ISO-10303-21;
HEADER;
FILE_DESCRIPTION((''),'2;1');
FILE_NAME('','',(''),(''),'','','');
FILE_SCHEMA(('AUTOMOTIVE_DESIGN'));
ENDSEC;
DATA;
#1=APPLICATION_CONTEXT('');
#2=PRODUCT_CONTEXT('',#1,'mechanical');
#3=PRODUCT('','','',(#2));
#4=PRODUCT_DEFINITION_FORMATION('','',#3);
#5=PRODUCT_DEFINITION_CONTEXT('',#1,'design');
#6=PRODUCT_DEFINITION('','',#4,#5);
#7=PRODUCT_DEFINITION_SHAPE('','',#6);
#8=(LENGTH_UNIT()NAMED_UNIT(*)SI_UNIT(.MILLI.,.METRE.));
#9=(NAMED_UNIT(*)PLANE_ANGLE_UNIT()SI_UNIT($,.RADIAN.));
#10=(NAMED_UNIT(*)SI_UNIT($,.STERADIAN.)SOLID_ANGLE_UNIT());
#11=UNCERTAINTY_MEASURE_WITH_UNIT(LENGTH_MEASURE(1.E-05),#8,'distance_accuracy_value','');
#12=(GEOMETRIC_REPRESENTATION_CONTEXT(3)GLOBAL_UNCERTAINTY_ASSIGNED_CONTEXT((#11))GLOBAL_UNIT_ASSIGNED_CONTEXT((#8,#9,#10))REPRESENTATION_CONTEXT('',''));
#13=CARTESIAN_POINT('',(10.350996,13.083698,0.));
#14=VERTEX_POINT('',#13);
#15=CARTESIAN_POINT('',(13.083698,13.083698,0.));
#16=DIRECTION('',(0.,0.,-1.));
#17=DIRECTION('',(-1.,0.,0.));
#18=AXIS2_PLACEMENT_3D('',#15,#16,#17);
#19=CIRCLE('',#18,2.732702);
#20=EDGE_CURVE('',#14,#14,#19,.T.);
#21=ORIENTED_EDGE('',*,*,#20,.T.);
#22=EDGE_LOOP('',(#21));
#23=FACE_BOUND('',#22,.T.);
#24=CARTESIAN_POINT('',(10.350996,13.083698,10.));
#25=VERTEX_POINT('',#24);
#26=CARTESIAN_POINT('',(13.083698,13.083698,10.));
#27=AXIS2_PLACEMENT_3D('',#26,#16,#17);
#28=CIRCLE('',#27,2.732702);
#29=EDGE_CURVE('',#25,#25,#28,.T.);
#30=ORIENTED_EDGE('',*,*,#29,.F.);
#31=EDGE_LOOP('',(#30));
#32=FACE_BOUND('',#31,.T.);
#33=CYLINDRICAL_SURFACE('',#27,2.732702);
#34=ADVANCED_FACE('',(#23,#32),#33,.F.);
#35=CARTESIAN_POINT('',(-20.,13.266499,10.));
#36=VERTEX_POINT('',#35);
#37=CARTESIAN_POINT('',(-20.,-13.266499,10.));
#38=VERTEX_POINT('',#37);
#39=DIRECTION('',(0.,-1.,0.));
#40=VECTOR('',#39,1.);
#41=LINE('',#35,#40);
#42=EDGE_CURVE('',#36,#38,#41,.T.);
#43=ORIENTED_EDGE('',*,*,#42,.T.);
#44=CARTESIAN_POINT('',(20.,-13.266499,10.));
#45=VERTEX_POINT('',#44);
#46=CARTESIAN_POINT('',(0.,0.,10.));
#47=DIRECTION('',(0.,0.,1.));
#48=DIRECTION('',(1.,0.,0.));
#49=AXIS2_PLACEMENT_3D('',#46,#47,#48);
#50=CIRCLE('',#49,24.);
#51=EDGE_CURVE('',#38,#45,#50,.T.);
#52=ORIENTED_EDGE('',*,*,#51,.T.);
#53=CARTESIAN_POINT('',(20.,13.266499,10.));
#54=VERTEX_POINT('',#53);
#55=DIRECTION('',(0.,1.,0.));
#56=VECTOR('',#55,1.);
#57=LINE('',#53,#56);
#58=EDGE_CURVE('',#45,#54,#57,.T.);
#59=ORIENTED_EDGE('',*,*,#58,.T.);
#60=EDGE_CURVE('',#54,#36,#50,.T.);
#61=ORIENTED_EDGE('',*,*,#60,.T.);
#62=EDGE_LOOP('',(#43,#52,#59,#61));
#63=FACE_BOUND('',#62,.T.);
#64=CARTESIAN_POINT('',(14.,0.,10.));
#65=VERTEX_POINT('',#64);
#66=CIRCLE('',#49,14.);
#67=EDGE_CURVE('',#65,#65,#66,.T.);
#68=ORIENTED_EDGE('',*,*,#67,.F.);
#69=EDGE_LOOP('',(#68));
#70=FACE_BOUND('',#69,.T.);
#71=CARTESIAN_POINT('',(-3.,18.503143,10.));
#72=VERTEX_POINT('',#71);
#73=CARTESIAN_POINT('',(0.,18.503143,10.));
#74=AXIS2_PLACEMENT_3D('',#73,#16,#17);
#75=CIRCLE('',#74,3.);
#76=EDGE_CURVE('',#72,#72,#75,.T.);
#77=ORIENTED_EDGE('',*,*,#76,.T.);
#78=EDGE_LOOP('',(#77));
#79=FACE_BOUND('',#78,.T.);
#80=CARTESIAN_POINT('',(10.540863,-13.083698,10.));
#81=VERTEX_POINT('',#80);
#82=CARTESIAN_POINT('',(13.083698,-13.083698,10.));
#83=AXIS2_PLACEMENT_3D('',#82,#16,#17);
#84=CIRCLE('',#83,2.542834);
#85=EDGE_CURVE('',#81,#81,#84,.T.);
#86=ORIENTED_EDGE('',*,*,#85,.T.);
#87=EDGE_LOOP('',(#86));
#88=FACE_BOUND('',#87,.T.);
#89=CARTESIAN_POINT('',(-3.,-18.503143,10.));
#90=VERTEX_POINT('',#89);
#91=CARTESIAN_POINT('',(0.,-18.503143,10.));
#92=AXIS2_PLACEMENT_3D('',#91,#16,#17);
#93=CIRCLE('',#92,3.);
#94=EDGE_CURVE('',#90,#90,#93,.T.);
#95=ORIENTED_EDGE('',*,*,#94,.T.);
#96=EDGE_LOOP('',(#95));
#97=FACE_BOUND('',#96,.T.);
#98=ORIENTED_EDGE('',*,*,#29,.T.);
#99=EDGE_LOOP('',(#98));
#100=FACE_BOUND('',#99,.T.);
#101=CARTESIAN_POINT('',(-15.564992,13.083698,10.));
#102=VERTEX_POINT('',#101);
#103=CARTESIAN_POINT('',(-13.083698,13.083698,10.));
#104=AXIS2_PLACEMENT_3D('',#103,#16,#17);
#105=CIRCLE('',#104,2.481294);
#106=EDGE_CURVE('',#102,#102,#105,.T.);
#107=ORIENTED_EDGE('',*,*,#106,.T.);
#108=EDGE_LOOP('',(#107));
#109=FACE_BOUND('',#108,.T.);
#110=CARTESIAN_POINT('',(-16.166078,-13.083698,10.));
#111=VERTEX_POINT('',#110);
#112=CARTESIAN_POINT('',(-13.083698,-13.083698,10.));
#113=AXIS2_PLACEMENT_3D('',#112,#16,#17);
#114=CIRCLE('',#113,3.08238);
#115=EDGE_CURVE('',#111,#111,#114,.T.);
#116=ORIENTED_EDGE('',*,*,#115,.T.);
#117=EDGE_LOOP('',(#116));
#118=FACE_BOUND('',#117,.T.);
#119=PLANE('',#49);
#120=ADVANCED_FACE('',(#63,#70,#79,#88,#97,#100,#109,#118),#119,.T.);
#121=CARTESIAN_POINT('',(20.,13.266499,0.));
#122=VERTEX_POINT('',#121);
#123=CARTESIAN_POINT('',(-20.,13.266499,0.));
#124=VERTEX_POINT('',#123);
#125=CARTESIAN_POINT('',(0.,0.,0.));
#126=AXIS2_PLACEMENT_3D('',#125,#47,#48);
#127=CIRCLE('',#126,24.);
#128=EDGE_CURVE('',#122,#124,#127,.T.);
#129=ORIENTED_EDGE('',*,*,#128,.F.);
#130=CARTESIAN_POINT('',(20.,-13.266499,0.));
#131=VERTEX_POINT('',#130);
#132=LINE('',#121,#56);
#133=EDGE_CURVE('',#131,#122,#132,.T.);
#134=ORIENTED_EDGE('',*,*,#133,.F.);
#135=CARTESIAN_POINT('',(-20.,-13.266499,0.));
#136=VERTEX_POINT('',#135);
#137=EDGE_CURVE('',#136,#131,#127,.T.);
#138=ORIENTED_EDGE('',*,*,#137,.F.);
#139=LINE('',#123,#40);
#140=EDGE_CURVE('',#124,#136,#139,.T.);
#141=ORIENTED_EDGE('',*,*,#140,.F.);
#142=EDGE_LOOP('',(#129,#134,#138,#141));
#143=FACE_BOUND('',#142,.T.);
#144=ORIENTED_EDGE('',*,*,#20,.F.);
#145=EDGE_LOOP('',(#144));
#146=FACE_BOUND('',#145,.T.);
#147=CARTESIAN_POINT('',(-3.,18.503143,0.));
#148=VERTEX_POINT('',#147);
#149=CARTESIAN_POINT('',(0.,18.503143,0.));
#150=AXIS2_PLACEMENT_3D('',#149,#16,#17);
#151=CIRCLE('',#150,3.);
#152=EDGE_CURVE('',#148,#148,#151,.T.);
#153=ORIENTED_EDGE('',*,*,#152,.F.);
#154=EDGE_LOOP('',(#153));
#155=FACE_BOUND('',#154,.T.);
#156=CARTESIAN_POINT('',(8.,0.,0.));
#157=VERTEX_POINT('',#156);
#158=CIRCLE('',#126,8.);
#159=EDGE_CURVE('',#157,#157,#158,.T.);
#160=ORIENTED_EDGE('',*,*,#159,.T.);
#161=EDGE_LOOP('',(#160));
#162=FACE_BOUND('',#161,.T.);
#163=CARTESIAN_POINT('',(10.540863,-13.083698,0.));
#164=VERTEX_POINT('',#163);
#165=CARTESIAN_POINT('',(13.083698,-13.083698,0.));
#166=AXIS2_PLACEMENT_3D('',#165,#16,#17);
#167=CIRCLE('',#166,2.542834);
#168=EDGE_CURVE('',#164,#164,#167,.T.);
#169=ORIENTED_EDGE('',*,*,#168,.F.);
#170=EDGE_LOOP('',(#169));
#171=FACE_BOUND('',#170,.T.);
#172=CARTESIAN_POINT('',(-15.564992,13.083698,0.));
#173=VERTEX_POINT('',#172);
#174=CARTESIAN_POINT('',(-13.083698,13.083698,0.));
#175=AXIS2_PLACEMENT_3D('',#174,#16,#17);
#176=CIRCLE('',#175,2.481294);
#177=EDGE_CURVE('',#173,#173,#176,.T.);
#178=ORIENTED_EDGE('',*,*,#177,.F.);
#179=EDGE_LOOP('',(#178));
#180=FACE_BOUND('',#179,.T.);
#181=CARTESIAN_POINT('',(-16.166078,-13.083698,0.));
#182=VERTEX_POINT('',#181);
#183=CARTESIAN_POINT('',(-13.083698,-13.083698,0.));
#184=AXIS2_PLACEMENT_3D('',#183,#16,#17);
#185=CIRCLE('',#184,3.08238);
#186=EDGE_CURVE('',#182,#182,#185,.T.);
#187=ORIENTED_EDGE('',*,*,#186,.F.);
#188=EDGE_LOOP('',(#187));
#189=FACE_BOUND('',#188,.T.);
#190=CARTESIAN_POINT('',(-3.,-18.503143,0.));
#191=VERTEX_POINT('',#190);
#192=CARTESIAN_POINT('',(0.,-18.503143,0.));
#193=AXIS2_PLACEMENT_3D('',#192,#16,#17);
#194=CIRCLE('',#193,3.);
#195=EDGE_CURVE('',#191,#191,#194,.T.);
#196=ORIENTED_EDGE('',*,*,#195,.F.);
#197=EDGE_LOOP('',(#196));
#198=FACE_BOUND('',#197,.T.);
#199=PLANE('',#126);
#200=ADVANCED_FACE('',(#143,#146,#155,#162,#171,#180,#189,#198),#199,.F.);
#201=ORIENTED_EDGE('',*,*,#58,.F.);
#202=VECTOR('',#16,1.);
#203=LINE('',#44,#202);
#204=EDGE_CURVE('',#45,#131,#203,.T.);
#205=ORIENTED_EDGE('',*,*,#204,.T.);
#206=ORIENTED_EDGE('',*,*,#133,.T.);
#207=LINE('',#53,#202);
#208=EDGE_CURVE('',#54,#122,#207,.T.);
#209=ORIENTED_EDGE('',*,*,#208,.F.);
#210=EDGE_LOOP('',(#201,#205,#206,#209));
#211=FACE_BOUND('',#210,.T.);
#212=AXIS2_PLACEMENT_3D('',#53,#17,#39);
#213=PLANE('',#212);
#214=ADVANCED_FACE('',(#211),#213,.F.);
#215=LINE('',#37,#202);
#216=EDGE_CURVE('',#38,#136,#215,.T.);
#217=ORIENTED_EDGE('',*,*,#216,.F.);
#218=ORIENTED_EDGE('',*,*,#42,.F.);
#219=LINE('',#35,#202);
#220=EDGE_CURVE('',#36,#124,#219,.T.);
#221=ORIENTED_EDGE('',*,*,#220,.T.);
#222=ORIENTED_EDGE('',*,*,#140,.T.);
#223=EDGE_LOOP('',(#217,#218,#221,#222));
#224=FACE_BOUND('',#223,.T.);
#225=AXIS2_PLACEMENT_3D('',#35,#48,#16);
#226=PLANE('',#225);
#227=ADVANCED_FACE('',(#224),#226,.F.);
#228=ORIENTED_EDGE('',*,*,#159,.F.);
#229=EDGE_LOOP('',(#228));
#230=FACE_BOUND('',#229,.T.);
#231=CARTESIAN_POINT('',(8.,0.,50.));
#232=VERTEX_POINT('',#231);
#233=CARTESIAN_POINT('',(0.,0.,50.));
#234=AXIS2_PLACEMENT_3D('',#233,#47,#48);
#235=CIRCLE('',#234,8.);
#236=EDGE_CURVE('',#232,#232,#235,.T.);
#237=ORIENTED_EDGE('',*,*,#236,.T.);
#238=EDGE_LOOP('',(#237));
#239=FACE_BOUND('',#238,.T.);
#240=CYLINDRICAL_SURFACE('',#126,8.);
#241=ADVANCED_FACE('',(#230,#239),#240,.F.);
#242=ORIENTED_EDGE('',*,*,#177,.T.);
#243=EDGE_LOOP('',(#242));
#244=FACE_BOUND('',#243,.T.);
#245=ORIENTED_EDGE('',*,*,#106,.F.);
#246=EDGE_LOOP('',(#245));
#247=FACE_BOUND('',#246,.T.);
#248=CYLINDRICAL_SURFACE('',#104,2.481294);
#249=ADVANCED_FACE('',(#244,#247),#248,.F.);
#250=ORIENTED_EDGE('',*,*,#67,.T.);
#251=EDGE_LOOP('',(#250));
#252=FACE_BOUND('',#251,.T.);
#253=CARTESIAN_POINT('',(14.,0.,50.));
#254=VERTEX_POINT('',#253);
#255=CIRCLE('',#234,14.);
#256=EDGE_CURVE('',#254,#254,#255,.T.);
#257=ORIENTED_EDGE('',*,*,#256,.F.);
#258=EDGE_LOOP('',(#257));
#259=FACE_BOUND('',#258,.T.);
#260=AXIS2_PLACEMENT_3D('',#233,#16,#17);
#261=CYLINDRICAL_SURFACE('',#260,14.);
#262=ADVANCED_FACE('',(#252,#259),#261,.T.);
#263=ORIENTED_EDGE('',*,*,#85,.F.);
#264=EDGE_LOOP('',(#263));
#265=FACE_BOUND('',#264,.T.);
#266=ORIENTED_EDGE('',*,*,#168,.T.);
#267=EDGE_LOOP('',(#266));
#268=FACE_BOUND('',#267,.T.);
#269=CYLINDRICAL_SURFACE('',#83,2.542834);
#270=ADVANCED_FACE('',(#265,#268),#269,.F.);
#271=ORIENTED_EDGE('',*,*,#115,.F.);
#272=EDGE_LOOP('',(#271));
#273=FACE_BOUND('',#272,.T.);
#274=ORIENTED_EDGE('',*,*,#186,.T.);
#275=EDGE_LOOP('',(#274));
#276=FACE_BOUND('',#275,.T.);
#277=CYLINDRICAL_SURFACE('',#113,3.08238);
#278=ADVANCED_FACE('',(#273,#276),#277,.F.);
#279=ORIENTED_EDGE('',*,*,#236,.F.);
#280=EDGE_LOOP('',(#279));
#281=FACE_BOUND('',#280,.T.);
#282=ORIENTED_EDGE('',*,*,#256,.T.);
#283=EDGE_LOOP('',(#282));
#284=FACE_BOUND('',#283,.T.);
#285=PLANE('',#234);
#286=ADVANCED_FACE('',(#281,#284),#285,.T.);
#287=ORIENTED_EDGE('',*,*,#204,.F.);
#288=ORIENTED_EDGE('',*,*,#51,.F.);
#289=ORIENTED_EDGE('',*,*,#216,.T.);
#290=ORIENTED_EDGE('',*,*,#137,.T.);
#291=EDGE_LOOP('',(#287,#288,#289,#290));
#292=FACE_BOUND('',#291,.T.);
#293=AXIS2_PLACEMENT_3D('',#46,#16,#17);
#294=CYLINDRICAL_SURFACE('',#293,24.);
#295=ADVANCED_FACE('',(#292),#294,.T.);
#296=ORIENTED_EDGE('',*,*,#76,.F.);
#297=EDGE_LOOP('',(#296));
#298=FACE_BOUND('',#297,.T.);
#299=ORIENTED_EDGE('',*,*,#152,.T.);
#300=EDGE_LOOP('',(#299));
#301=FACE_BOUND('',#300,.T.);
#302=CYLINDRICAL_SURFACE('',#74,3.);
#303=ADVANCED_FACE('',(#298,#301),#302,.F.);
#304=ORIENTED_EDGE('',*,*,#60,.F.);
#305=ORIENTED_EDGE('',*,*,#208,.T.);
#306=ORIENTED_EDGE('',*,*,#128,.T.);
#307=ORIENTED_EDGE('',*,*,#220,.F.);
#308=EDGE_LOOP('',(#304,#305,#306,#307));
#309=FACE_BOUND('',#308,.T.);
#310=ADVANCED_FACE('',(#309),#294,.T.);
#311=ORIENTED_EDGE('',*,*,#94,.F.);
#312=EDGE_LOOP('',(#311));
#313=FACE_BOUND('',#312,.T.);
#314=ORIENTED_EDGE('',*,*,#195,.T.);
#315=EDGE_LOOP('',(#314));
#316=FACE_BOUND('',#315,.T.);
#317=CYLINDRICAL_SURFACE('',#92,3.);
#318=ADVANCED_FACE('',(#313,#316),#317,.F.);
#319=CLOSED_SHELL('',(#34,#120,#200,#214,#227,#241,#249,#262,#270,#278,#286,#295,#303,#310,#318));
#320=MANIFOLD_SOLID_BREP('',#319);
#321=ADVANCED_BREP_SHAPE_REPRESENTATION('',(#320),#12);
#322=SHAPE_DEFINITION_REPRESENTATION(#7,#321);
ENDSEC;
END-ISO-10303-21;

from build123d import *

# Parameters (mm, degrees)
SKETCH_1_R          = 24
EXTRUDE_1_DEPTH     = 10
SKETCH_2_R          = 14
EXTRUDE_2_DEPTH     = 40
SKETCH_3_R          = 8
CUT_EXTRUDE_1_DEPTH = 50
CUT_EXTRUDE_2_DEPTH = 10
SKETCH_5_R          = 3
SKETCH_5_R_2        = 2.542834368
SKETCH_5_R_3        = 3.082379743
SKETCH_5_R_4        = 2.48129437
SKETCH_5_R_5        = 2.732701735
CUT_EXTRUDE_3_DEPTH = 10


with BuildPart() as part:
    # 草图1 → 凸台-拉伸1 (new body)
    with BuildSketch(Plane.XY):
        Circle(SKETCH_1_R)
    extrude(amount=EXTRUDE_1_DEPTH)

    # 草图2 → 凸台-拉伸2 (add)
    with BuildSketch(Plane.XY.offset(10)):
        Circle(SKETCH_2_R)
    extrude(amount=EXTRUDE_2_DEPTH)

    # 草图3 → 切除-拉伸1 (cut)
    with BuildSketch(Plane.XY.offset(50)):
        Circle(SKETCH_3_R)
    extrude(amount=-CUT_EXTRUDE_1_DEPTH, mode=Mode.SUBTRACT)

    # 草图4 → 切除-拉伸2 (cut)
    with BuildSketch(Plane(origin=(0, 0, 0), x_dir=(-1, 0, 0), z_dir=(0, 0, -1))):
        with BuildLine():
            Line((-20, 13.266499161), (-20, -13.266499161))
            ThreePointArc((-20, -13.266499161), (-24, 0), (-20, 13.266499161))
        make_face()
        with BuildLine():
            Line((20, 13.266499161), (20, -13.266499161))
            ThreePointArc((20, -13.266499161), (24, 0), (20, 13.266499161))
        make_face()
    extrude(amount=-CUT_EXTRUDE_2_DEPTH, mode=Mode.SUBTRACT)

    # 草图5 → 切除-拉伸3 (cut)
    with BuildSketch(Plane(origin=(0, 0, 0), x_dir=(-1, 0, 0), z_dir=(0, 0, -1))):
        with Locations((0, 18.503142877)):
            Circle(SKETCH_5_R)
        with Locations((-13.083697802, -13.083697802)):
            Circle(SKETCH_5_R_2)
        with Locations((13.083697802, -13.083697802)):
            Circle(SKETCH_5_R_3)
        with Locations((13.083697802, 13.083697802)):
            Circle(SKETCH_5_R_4)
        with Locations((-13.083697802, 13.083697802)):
            Circle(SKETCH_5_R_5)
        with Locations((0, -18.503142877)):
            Circle(SKETCH_5_R)
    extrude(amount=-CUT_EXTRUDE_3_DEPTH, mode=Mode.SUBTRACT)


solid = part.part
